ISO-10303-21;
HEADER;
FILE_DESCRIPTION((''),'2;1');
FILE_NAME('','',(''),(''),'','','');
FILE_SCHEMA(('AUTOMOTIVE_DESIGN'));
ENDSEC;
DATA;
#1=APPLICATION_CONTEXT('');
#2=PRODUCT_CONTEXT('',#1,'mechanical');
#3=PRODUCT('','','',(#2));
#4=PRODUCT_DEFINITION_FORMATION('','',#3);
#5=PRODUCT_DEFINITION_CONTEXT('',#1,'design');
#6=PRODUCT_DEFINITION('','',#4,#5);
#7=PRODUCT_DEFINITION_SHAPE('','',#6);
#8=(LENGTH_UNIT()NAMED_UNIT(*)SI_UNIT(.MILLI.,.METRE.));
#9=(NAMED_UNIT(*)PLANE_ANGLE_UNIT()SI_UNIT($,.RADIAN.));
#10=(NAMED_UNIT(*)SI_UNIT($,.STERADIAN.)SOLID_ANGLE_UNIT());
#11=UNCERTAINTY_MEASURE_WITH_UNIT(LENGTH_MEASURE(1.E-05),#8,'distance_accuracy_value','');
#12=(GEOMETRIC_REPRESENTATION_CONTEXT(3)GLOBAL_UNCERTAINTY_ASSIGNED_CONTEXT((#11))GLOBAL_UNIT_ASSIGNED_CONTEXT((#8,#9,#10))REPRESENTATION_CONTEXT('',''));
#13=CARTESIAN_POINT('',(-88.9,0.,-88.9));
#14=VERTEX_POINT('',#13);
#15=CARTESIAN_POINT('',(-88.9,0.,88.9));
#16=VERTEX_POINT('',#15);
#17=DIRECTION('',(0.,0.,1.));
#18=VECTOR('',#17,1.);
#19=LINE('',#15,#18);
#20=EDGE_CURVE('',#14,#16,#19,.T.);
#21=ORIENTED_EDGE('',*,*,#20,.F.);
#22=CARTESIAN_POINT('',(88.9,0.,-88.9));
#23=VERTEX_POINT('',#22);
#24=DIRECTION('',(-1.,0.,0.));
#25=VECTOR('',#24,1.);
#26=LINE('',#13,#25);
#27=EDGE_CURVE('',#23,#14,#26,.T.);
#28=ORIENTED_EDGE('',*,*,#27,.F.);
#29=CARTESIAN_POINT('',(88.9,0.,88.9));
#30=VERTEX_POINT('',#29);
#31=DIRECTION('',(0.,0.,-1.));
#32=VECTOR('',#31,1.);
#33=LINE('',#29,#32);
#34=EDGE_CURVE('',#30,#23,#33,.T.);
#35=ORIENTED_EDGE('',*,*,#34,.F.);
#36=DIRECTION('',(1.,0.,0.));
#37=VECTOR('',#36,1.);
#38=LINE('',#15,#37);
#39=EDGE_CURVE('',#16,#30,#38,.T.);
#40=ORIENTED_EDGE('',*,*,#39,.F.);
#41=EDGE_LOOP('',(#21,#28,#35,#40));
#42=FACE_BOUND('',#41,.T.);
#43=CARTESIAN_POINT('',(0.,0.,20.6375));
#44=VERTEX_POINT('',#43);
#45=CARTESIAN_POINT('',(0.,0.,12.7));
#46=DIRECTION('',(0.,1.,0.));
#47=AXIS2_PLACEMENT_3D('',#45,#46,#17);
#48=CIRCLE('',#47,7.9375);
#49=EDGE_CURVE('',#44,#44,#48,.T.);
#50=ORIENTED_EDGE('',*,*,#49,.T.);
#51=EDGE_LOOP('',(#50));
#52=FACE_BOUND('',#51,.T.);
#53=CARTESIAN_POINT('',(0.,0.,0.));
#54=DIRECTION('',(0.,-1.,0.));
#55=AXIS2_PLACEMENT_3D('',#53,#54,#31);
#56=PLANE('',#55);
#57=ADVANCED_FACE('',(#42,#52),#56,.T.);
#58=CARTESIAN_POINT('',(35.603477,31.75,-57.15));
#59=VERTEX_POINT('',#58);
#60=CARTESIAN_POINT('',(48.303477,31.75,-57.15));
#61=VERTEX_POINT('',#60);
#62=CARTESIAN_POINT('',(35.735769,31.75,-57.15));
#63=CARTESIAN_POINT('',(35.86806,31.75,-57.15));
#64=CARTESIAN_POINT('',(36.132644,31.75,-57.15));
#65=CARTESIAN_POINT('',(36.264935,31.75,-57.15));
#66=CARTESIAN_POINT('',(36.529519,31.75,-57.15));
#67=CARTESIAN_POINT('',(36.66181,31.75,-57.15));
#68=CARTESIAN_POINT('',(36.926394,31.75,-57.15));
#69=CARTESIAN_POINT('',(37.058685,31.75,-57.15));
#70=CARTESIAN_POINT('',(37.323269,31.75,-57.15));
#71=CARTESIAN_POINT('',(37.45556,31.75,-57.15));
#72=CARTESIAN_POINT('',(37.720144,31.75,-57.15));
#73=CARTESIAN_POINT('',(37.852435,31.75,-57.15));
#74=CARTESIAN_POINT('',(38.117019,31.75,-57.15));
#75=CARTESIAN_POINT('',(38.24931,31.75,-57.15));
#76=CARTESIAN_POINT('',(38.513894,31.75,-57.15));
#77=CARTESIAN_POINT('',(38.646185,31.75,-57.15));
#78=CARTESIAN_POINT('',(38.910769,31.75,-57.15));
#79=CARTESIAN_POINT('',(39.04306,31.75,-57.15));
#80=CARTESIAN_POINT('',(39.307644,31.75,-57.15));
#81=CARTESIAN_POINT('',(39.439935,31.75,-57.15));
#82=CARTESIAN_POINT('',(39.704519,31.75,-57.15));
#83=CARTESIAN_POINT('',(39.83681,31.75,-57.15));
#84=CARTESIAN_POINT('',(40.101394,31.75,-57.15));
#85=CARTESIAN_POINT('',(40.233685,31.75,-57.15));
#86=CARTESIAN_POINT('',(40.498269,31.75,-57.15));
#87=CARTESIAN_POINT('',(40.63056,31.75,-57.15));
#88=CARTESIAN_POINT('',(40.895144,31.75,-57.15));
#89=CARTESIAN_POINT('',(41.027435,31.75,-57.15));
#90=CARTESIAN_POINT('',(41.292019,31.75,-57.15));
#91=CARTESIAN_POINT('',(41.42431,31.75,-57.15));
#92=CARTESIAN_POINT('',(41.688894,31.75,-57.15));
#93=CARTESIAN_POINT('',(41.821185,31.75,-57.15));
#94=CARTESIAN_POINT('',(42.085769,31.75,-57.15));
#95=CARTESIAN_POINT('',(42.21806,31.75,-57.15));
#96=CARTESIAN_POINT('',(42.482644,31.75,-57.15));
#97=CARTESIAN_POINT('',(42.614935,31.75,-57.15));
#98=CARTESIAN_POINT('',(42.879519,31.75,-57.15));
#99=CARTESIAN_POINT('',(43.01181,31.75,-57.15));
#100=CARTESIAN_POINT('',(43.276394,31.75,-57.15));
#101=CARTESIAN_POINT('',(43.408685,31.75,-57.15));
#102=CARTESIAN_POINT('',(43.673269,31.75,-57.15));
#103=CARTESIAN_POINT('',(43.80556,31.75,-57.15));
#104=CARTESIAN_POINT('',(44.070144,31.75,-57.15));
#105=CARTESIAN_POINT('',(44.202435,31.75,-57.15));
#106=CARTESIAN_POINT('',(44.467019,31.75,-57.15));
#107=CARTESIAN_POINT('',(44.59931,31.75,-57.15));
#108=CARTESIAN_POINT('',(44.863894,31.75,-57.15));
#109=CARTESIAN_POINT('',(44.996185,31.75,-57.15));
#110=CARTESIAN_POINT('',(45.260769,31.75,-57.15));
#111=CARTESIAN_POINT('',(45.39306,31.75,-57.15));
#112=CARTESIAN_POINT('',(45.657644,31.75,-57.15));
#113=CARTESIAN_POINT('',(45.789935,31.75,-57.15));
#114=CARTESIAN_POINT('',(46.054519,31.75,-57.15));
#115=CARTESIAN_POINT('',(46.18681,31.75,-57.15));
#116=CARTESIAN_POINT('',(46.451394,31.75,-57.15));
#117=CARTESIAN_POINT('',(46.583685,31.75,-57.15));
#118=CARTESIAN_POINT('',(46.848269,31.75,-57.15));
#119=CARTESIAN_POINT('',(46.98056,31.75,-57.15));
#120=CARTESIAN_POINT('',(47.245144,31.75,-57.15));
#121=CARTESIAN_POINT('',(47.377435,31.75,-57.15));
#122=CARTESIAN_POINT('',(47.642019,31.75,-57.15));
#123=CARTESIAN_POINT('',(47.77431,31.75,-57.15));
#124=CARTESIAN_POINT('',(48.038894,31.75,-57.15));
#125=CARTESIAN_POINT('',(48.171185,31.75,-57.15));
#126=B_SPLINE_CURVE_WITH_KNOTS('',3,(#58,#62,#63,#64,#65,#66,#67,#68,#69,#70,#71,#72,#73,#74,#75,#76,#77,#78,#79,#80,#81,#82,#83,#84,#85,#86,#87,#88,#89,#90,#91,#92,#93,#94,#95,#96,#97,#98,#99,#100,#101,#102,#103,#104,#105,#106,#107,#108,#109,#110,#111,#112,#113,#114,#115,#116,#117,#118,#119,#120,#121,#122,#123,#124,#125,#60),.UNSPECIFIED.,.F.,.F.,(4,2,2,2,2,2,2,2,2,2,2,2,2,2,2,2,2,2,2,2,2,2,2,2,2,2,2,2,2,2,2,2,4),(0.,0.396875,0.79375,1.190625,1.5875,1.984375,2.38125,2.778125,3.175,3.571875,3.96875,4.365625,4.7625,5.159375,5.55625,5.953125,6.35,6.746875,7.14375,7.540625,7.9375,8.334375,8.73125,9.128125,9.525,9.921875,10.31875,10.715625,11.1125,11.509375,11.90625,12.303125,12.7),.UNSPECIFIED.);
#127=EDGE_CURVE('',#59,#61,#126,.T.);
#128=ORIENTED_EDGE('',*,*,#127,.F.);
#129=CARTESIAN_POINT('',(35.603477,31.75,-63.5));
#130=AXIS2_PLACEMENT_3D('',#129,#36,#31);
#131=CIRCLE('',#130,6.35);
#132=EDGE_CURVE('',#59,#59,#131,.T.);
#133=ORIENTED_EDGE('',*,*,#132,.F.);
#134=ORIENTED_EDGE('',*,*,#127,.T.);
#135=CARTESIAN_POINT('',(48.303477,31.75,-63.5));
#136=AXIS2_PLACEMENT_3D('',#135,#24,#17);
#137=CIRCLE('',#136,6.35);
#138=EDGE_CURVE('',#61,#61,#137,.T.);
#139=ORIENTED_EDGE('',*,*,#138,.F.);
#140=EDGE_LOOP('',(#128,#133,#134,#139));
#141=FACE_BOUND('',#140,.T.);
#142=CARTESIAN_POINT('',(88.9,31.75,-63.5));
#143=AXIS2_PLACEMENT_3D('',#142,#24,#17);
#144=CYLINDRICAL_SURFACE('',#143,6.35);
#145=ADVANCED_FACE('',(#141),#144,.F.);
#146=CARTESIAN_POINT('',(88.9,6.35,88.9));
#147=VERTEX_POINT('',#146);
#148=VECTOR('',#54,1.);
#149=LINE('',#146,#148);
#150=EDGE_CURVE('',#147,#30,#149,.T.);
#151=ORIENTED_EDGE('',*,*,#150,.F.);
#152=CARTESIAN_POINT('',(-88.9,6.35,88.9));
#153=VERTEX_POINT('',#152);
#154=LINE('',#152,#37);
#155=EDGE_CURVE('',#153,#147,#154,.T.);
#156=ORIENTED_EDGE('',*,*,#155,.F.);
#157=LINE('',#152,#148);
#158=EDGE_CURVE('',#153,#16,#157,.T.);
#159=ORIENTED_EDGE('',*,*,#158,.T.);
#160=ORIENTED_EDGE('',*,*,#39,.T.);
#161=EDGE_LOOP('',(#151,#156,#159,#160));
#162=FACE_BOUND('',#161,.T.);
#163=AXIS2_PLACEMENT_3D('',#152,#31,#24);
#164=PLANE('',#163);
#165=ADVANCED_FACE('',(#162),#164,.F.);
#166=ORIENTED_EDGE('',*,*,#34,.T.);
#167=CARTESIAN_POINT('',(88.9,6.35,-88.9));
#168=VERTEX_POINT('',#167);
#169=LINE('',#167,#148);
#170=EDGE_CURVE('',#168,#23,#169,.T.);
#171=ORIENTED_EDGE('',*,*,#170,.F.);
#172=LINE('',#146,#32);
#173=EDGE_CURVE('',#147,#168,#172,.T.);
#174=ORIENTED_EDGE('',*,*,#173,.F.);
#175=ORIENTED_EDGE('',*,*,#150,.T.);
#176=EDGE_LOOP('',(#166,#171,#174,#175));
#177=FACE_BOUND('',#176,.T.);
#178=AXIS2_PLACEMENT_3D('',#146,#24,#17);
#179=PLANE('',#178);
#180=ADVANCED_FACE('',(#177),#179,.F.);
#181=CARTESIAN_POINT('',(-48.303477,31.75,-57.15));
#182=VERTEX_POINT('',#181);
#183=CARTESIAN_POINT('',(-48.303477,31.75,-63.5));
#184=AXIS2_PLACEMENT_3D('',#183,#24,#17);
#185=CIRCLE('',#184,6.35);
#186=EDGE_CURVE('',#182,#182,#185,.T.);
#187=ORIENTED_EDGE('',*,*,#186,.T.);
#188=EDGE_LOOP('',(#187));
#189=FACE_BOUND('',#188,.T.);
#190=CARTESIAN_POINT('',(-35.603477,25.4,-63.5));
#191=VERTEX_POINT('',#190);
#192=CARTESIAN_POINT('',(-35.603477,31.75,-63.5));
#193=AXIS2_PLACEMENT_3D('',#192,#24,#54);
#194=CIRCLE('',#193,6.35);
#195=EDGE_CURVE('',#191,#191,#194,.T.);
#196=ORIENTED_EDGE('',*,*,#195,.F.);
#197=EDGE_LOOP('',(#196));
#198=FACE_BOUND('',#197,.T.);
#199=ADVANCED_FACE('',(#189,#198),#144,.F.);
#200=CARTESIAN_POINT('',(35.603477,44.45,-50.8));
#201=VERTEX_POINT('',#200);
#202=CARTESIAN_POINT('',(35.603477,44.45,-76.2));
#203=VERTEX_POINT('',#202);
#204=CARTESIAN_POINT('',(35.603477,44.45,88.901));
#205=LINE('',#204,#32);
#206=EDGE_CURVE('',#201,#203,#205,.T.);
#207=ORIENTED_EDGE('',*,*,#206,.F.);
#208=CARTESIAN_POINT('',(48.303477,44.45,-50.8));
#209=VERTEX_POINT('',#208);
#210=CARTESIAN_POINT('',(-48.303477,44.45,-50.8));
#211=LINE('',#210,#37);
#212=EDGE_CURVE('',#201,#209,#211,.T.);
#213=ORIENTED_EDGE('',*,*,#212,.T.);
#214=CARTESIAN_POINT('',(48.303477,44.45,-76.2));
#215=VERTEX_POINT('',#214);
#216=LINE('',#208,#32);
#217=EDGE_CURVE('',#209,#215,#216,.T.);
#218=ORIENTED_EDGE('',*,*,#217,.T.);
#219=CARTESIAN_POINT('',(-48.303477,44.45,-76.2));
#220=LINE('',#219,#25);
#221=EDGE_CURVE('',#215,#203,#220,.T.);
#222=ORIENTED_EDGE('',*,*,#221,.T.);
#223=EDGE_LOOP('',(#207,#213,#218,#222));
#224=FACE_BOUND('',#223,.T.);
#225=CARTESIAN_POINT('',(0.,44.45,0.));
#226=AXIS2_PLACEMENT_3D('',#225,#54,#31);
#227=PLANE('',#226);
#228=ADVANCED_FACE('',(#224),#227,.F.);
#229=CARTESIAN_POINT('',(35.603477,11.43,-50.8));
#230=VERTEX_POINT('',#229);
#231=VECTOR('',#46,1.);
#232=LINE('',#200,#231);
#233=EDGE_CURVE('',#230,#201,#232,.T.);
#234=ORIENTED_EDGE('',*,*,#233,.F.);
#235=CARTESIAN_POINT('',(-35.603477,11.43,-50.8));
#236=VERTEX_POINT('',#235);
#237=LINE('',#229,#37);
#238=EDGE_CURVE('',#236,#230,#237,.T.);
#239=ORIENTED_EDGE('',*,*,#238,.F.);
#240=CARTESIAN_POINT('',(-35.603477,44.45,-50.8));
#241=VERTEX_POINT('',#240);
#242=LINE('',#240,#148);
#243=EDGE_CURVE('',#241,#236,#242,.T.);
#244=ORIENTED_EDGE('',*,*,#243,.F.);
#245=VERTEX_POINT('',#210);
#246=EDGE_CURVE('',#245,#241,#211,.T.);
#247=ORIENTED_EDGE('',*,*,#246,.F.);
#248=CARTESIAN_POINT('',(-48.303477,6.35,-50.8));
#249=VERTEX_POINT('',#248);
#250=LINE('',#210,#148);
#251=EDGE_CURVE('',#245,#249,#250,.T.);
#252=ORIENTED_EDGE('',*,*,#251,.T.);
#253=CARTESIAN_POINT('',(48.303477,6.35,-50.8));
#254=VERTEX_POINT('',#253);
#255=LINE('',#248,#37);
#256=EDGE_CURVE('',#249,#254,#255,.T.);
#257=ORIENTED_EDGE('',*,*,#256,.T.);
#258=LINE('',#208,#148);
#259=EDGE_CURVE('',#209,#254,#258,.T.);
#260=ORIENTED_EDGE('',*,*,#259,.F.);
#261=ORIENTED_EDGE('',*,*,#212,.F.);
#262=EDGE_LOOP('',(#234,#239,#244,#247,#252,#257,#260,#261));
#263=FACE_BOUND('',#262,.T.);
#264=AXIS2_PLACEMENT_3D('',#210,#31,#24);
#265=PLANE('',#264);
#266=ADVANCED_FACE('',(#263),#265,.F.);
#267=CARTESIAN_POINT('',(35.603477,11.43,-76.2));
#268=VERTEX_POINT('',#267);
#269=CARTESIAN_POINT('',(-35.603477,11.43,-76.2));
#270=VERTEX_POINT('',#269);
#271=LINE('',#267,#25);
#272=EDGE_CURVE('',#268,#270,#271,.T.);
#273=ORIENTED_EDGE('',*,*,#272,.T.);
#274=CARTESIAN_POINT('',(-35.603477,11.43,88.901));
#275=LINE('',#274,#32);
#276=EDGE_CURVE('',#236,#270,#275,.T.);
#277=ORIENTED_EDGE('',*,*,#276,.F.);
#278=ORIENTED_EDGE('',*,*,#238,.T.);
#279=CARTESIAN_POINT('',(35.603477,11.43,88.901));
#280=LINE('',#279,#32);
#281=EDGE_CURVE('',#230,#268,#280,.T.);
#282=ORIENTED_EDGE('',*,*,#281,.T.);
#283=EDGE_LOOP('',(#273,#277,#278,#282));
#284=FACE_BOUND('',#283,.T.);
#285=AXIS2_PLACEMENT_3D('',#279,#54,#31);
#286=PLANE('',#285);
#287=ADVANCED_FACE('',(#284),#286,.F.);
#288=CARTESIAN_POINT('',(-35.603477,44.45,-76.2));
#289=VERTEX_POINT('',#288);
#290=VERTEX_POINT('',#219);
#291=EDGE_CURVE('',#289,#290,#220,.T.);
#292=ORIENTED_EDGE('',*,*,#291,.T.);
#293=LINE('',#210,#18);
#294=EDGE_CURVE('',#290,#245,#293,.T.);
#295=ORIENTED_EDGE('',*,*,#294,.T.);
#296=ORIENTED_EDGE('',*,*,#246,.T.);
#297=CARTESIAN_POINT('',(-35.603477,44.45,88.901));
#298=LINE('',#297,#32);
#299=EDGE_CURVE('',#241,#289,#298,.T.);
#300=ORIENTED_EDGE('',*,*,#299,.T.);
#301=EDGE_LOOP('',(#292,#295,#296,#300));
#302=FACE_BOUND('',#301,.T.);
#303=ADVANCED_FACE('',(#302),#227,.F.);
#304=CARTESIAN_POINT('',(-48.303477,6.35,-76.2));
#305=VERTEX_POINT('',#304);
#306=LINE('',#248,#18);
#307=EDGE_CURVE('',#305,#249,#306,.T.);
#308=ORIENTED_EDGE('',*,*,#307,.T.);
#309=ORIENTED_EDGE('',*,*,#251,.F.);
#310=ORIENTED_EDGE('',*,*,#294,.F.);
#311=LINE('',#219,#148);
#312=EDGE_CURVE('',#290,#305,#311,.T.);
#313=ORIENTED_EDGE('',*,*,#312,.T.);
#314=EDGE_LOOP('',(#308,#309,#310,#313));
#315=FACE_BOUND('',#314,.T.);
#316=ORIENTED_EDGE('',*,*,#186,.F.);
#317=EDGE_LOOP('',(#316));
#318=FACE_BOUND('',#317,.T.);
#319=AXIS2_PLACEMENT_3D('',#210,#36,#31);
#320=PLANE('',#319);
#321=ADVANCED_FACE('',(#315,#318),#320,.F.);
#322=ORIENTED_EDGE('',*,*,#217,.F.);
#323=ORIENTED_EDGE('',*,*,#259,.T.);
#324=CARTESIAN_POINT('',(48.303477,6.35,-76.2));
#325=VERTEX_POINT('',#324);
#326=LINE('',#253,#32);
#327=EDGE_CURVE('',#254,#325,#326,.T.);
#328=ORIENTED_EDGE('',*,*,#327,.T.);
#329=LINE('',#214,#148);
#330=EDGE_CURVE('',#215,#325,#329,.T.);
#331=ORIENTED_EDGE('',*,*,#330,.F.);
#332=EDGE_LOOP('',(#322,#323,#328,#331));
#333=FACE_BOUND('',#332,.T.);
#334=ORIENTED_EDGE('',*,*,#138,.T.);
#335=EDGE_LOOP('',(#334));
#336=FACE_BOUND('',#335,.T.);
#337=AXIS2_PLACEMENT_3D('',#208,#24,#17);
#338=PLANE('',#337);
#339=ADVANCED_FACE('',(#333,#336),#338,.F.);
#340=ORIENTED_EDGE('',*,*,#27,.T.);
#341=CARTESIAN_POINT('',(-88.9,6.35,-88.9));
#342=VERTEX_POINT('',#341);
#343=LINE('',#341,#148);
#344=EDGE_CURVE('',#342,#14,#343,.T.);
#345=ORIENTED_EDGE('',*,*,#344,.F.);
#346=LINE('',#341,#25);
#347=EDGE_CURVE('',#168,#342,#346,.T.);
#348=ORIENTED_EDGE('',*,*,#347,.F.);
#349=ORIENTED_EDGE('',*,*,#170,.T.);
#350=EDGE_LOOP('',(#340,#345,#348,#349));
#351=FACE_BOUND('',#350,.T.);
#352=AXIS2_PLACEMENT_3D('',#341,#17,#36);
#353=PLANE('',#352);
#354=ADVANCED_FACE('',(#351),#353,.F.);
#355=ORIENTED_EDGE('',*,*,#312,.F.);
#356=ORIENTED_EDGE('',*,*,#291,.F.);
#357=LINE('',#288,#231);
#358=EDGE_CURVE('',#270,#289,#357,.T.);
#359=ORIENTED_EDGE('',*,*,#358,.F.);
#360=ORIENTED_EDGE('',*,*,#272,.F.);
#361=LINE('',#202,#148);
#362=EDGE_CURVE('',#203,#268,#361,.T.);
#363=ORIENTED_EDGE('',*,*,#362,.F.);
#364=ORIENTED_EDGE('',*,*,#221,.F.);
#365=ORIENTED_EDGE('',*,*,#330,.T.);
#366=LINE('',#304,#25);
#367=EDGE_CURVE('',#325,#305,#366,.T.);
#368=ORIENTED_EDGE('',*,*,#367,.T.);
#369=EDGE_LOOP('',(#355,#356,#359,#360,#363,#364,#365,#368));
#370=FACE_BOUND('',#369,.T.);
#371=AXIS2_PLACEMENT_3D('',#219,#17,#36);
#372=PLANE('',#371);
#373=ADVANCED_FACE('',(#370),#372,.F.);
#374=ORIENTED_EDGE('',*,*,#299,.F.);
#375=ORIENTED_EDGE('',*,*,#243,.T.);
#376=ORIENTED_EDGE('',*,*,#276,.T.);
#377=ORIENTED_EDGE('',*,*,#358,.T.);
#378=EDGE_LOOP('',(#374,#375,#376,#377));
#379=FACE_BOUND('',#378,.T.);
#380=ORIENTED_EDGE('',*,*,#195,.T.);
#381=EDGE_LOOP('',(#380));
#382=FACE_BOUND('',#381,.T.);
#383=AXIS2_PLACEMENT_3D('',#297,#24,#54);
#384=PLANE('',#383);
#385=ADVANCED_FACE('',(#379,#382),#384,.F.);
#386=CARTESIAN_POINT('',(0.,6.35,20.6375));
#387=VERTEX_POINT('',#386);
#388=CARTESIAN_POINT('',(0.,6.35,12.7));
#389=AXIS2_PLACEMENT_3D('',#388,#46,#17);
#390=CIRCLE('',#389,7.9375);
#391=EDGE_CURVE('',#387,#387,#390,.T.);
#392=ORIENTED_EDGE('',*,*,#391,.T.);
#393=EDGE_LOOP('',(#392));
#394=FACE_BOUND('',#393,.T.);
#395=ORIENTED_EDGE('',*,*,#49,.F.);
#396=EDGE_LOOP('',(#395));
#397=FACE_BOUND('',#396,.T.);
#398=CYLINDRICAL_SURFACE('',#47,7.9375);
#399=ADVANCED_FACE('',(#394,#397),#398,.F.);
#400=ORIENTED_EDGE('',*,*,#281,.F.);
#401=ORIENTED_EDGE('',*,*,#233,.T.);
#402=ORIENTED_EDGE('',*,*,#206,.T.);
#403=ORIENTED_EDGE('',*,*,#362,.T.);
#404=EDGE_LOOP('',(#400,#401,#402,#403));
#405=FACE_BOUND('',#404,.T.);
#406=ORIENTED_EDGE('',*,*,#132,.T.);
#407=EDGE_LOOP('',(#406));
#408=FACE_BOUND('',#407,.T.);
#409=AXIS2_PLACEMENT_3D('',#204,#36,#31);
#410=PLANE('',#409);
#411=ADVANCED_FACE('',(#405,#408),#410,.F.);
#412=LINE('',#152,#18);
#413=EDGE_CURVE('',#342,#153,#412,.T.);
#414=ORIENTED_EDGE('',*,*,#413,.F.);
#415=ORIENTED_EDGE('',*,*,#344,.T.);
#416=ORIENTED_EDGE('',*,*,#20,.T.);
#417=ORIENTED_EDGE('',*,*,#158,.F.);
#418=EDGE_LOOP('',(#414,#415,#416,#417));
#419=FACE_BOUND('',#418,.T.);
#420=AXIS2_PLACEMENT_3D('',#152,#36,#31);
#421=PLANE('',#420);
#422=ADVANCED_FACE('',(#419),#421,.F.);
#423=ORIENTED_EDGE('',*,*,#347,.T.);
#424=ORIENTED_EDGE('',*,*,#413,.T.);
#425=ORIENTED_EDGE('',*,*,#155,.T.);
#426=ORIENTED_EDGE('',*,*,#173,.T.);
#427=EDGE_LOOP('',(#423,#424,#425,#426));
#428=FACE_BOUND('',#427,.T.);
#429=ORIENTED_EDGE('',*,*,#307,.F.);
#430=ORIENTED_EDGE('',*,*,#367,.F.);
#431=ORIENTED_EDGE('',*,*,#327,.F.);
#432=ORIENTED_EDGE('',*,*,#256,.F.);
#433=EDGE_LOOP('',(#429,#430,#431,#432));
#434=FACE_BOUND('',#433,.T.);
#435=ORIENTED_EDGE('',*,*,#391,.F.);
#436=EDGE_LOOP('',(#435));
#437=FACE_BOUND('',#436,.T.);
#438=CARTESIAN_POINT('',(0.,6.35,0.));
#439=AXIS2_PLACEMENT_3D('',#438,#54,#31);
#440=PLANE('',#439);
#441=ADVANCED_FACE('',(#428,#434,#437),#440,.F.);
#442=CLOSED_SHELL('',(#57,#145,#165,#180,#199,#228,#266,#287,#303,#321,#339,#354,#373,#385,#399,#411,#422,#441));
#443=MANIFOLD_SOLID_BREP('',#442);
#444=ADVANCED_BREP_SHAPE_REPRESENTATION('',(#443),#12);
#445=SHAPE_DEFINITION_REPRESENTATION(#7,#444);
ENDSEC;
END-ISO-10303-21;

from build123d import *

# Parameters (mm, degrees)
SKETCH1_W           = 177.8
SKETCH1_H           = 177.8
BOSS_EXTRUDE1_DEPTH = 6.35
SKETCH2_R           = 7.9375
CUT_EXTRUDE1_DEPTH  = 126.88384527
SKETCH3_W           = 96.606953724
SKETCH3_H           = 25.4
BOSS_EXTRUDE2_DEPTH = 38.1
CUT_EXTRUDE2_REACH  = 194.71
SKETCH4_W           = 71.206953724
SKETCH4_H           = 33.02
SKETCH5_R           = 6.35
CUT_EXTRUDE3_DEPTH  = 170.421977804


with BuildPart() as part:
    # Sketch1 → Boss-Extrude1 (new body)
    with BuildSketch(Plane(origin=(0, 0, 0), x_dir=(1, 0, 0), z_dir=(0, 1, 0))):
        Rectangle(SKETCH1_W, SKETCH1_H)
    extrude(amount=BOSS_EXTRUDE1_DEPTH)

    # Sketch2 → Cut-Extrude1 (cut, through all)
    with BuildSketch(Plane(origin=(0, 6.35, 0), x_dir=(1, 0, 0), z_dir=(0, 1, 0))):
        with Locations(Location((0, -12.7, 0), (0, 0, 270))):
            Circle(SKETCH2_R)
    extrude(amount=-CUT_EXTRUDE1_DEPTH, mode=Mode.SUBTRACT)

    # Sketch3 → Boss-Extrude2 (add)
    with BuildSketch(Plane(origin=(0, 6.35, 0), x_dir=(1, 0, 0), z_dir=(0, 1, 0))):
        with Locations((0, 63.5)):
            Rectangle(SKETCH3_W, SKETCH3_H)
    extrude(amount=BOSS_EXTRUDE2_DEPTH)

    # Sketch4 → Cut-Extrude2 (cut, up to next)
    with BuildSketch(Plane(origin=(0, 0, -76.2), x_dir=(-1, 0, 0), z_dir=(0, 0, -1)), mode=Mode.PRIVATE) as cut_extrude2_sk1:
        with Locations((0, 27.94)):
            Rectangle(SKETCH4_W, SKETCH4_H)
    cut_extrude2_tool1 = extrude(cut_extrude2_sk1.sketch, amount=-CUT_EXTRUDE2_REACH, mode=Mode.PRIVATE) & part.part
    add(cut_extrude2_tool1.solids().sort_by_distance((0, 27.94, -76.2))[0], mode=Mode.SUBTRACT)

    # Sketch5 → Cut-Extrude3 (cut, through all)
    with BuildSketch(Plane.ZY.offset(48.303476862)):
        with Locations((-63.5, 31.75)):
            Circle(SKETCH5_R)
    extrude(amount=-CUT_EXTRUDE3_DEPTH, mode=Mode.SUBTRACT)


solid = part.part
